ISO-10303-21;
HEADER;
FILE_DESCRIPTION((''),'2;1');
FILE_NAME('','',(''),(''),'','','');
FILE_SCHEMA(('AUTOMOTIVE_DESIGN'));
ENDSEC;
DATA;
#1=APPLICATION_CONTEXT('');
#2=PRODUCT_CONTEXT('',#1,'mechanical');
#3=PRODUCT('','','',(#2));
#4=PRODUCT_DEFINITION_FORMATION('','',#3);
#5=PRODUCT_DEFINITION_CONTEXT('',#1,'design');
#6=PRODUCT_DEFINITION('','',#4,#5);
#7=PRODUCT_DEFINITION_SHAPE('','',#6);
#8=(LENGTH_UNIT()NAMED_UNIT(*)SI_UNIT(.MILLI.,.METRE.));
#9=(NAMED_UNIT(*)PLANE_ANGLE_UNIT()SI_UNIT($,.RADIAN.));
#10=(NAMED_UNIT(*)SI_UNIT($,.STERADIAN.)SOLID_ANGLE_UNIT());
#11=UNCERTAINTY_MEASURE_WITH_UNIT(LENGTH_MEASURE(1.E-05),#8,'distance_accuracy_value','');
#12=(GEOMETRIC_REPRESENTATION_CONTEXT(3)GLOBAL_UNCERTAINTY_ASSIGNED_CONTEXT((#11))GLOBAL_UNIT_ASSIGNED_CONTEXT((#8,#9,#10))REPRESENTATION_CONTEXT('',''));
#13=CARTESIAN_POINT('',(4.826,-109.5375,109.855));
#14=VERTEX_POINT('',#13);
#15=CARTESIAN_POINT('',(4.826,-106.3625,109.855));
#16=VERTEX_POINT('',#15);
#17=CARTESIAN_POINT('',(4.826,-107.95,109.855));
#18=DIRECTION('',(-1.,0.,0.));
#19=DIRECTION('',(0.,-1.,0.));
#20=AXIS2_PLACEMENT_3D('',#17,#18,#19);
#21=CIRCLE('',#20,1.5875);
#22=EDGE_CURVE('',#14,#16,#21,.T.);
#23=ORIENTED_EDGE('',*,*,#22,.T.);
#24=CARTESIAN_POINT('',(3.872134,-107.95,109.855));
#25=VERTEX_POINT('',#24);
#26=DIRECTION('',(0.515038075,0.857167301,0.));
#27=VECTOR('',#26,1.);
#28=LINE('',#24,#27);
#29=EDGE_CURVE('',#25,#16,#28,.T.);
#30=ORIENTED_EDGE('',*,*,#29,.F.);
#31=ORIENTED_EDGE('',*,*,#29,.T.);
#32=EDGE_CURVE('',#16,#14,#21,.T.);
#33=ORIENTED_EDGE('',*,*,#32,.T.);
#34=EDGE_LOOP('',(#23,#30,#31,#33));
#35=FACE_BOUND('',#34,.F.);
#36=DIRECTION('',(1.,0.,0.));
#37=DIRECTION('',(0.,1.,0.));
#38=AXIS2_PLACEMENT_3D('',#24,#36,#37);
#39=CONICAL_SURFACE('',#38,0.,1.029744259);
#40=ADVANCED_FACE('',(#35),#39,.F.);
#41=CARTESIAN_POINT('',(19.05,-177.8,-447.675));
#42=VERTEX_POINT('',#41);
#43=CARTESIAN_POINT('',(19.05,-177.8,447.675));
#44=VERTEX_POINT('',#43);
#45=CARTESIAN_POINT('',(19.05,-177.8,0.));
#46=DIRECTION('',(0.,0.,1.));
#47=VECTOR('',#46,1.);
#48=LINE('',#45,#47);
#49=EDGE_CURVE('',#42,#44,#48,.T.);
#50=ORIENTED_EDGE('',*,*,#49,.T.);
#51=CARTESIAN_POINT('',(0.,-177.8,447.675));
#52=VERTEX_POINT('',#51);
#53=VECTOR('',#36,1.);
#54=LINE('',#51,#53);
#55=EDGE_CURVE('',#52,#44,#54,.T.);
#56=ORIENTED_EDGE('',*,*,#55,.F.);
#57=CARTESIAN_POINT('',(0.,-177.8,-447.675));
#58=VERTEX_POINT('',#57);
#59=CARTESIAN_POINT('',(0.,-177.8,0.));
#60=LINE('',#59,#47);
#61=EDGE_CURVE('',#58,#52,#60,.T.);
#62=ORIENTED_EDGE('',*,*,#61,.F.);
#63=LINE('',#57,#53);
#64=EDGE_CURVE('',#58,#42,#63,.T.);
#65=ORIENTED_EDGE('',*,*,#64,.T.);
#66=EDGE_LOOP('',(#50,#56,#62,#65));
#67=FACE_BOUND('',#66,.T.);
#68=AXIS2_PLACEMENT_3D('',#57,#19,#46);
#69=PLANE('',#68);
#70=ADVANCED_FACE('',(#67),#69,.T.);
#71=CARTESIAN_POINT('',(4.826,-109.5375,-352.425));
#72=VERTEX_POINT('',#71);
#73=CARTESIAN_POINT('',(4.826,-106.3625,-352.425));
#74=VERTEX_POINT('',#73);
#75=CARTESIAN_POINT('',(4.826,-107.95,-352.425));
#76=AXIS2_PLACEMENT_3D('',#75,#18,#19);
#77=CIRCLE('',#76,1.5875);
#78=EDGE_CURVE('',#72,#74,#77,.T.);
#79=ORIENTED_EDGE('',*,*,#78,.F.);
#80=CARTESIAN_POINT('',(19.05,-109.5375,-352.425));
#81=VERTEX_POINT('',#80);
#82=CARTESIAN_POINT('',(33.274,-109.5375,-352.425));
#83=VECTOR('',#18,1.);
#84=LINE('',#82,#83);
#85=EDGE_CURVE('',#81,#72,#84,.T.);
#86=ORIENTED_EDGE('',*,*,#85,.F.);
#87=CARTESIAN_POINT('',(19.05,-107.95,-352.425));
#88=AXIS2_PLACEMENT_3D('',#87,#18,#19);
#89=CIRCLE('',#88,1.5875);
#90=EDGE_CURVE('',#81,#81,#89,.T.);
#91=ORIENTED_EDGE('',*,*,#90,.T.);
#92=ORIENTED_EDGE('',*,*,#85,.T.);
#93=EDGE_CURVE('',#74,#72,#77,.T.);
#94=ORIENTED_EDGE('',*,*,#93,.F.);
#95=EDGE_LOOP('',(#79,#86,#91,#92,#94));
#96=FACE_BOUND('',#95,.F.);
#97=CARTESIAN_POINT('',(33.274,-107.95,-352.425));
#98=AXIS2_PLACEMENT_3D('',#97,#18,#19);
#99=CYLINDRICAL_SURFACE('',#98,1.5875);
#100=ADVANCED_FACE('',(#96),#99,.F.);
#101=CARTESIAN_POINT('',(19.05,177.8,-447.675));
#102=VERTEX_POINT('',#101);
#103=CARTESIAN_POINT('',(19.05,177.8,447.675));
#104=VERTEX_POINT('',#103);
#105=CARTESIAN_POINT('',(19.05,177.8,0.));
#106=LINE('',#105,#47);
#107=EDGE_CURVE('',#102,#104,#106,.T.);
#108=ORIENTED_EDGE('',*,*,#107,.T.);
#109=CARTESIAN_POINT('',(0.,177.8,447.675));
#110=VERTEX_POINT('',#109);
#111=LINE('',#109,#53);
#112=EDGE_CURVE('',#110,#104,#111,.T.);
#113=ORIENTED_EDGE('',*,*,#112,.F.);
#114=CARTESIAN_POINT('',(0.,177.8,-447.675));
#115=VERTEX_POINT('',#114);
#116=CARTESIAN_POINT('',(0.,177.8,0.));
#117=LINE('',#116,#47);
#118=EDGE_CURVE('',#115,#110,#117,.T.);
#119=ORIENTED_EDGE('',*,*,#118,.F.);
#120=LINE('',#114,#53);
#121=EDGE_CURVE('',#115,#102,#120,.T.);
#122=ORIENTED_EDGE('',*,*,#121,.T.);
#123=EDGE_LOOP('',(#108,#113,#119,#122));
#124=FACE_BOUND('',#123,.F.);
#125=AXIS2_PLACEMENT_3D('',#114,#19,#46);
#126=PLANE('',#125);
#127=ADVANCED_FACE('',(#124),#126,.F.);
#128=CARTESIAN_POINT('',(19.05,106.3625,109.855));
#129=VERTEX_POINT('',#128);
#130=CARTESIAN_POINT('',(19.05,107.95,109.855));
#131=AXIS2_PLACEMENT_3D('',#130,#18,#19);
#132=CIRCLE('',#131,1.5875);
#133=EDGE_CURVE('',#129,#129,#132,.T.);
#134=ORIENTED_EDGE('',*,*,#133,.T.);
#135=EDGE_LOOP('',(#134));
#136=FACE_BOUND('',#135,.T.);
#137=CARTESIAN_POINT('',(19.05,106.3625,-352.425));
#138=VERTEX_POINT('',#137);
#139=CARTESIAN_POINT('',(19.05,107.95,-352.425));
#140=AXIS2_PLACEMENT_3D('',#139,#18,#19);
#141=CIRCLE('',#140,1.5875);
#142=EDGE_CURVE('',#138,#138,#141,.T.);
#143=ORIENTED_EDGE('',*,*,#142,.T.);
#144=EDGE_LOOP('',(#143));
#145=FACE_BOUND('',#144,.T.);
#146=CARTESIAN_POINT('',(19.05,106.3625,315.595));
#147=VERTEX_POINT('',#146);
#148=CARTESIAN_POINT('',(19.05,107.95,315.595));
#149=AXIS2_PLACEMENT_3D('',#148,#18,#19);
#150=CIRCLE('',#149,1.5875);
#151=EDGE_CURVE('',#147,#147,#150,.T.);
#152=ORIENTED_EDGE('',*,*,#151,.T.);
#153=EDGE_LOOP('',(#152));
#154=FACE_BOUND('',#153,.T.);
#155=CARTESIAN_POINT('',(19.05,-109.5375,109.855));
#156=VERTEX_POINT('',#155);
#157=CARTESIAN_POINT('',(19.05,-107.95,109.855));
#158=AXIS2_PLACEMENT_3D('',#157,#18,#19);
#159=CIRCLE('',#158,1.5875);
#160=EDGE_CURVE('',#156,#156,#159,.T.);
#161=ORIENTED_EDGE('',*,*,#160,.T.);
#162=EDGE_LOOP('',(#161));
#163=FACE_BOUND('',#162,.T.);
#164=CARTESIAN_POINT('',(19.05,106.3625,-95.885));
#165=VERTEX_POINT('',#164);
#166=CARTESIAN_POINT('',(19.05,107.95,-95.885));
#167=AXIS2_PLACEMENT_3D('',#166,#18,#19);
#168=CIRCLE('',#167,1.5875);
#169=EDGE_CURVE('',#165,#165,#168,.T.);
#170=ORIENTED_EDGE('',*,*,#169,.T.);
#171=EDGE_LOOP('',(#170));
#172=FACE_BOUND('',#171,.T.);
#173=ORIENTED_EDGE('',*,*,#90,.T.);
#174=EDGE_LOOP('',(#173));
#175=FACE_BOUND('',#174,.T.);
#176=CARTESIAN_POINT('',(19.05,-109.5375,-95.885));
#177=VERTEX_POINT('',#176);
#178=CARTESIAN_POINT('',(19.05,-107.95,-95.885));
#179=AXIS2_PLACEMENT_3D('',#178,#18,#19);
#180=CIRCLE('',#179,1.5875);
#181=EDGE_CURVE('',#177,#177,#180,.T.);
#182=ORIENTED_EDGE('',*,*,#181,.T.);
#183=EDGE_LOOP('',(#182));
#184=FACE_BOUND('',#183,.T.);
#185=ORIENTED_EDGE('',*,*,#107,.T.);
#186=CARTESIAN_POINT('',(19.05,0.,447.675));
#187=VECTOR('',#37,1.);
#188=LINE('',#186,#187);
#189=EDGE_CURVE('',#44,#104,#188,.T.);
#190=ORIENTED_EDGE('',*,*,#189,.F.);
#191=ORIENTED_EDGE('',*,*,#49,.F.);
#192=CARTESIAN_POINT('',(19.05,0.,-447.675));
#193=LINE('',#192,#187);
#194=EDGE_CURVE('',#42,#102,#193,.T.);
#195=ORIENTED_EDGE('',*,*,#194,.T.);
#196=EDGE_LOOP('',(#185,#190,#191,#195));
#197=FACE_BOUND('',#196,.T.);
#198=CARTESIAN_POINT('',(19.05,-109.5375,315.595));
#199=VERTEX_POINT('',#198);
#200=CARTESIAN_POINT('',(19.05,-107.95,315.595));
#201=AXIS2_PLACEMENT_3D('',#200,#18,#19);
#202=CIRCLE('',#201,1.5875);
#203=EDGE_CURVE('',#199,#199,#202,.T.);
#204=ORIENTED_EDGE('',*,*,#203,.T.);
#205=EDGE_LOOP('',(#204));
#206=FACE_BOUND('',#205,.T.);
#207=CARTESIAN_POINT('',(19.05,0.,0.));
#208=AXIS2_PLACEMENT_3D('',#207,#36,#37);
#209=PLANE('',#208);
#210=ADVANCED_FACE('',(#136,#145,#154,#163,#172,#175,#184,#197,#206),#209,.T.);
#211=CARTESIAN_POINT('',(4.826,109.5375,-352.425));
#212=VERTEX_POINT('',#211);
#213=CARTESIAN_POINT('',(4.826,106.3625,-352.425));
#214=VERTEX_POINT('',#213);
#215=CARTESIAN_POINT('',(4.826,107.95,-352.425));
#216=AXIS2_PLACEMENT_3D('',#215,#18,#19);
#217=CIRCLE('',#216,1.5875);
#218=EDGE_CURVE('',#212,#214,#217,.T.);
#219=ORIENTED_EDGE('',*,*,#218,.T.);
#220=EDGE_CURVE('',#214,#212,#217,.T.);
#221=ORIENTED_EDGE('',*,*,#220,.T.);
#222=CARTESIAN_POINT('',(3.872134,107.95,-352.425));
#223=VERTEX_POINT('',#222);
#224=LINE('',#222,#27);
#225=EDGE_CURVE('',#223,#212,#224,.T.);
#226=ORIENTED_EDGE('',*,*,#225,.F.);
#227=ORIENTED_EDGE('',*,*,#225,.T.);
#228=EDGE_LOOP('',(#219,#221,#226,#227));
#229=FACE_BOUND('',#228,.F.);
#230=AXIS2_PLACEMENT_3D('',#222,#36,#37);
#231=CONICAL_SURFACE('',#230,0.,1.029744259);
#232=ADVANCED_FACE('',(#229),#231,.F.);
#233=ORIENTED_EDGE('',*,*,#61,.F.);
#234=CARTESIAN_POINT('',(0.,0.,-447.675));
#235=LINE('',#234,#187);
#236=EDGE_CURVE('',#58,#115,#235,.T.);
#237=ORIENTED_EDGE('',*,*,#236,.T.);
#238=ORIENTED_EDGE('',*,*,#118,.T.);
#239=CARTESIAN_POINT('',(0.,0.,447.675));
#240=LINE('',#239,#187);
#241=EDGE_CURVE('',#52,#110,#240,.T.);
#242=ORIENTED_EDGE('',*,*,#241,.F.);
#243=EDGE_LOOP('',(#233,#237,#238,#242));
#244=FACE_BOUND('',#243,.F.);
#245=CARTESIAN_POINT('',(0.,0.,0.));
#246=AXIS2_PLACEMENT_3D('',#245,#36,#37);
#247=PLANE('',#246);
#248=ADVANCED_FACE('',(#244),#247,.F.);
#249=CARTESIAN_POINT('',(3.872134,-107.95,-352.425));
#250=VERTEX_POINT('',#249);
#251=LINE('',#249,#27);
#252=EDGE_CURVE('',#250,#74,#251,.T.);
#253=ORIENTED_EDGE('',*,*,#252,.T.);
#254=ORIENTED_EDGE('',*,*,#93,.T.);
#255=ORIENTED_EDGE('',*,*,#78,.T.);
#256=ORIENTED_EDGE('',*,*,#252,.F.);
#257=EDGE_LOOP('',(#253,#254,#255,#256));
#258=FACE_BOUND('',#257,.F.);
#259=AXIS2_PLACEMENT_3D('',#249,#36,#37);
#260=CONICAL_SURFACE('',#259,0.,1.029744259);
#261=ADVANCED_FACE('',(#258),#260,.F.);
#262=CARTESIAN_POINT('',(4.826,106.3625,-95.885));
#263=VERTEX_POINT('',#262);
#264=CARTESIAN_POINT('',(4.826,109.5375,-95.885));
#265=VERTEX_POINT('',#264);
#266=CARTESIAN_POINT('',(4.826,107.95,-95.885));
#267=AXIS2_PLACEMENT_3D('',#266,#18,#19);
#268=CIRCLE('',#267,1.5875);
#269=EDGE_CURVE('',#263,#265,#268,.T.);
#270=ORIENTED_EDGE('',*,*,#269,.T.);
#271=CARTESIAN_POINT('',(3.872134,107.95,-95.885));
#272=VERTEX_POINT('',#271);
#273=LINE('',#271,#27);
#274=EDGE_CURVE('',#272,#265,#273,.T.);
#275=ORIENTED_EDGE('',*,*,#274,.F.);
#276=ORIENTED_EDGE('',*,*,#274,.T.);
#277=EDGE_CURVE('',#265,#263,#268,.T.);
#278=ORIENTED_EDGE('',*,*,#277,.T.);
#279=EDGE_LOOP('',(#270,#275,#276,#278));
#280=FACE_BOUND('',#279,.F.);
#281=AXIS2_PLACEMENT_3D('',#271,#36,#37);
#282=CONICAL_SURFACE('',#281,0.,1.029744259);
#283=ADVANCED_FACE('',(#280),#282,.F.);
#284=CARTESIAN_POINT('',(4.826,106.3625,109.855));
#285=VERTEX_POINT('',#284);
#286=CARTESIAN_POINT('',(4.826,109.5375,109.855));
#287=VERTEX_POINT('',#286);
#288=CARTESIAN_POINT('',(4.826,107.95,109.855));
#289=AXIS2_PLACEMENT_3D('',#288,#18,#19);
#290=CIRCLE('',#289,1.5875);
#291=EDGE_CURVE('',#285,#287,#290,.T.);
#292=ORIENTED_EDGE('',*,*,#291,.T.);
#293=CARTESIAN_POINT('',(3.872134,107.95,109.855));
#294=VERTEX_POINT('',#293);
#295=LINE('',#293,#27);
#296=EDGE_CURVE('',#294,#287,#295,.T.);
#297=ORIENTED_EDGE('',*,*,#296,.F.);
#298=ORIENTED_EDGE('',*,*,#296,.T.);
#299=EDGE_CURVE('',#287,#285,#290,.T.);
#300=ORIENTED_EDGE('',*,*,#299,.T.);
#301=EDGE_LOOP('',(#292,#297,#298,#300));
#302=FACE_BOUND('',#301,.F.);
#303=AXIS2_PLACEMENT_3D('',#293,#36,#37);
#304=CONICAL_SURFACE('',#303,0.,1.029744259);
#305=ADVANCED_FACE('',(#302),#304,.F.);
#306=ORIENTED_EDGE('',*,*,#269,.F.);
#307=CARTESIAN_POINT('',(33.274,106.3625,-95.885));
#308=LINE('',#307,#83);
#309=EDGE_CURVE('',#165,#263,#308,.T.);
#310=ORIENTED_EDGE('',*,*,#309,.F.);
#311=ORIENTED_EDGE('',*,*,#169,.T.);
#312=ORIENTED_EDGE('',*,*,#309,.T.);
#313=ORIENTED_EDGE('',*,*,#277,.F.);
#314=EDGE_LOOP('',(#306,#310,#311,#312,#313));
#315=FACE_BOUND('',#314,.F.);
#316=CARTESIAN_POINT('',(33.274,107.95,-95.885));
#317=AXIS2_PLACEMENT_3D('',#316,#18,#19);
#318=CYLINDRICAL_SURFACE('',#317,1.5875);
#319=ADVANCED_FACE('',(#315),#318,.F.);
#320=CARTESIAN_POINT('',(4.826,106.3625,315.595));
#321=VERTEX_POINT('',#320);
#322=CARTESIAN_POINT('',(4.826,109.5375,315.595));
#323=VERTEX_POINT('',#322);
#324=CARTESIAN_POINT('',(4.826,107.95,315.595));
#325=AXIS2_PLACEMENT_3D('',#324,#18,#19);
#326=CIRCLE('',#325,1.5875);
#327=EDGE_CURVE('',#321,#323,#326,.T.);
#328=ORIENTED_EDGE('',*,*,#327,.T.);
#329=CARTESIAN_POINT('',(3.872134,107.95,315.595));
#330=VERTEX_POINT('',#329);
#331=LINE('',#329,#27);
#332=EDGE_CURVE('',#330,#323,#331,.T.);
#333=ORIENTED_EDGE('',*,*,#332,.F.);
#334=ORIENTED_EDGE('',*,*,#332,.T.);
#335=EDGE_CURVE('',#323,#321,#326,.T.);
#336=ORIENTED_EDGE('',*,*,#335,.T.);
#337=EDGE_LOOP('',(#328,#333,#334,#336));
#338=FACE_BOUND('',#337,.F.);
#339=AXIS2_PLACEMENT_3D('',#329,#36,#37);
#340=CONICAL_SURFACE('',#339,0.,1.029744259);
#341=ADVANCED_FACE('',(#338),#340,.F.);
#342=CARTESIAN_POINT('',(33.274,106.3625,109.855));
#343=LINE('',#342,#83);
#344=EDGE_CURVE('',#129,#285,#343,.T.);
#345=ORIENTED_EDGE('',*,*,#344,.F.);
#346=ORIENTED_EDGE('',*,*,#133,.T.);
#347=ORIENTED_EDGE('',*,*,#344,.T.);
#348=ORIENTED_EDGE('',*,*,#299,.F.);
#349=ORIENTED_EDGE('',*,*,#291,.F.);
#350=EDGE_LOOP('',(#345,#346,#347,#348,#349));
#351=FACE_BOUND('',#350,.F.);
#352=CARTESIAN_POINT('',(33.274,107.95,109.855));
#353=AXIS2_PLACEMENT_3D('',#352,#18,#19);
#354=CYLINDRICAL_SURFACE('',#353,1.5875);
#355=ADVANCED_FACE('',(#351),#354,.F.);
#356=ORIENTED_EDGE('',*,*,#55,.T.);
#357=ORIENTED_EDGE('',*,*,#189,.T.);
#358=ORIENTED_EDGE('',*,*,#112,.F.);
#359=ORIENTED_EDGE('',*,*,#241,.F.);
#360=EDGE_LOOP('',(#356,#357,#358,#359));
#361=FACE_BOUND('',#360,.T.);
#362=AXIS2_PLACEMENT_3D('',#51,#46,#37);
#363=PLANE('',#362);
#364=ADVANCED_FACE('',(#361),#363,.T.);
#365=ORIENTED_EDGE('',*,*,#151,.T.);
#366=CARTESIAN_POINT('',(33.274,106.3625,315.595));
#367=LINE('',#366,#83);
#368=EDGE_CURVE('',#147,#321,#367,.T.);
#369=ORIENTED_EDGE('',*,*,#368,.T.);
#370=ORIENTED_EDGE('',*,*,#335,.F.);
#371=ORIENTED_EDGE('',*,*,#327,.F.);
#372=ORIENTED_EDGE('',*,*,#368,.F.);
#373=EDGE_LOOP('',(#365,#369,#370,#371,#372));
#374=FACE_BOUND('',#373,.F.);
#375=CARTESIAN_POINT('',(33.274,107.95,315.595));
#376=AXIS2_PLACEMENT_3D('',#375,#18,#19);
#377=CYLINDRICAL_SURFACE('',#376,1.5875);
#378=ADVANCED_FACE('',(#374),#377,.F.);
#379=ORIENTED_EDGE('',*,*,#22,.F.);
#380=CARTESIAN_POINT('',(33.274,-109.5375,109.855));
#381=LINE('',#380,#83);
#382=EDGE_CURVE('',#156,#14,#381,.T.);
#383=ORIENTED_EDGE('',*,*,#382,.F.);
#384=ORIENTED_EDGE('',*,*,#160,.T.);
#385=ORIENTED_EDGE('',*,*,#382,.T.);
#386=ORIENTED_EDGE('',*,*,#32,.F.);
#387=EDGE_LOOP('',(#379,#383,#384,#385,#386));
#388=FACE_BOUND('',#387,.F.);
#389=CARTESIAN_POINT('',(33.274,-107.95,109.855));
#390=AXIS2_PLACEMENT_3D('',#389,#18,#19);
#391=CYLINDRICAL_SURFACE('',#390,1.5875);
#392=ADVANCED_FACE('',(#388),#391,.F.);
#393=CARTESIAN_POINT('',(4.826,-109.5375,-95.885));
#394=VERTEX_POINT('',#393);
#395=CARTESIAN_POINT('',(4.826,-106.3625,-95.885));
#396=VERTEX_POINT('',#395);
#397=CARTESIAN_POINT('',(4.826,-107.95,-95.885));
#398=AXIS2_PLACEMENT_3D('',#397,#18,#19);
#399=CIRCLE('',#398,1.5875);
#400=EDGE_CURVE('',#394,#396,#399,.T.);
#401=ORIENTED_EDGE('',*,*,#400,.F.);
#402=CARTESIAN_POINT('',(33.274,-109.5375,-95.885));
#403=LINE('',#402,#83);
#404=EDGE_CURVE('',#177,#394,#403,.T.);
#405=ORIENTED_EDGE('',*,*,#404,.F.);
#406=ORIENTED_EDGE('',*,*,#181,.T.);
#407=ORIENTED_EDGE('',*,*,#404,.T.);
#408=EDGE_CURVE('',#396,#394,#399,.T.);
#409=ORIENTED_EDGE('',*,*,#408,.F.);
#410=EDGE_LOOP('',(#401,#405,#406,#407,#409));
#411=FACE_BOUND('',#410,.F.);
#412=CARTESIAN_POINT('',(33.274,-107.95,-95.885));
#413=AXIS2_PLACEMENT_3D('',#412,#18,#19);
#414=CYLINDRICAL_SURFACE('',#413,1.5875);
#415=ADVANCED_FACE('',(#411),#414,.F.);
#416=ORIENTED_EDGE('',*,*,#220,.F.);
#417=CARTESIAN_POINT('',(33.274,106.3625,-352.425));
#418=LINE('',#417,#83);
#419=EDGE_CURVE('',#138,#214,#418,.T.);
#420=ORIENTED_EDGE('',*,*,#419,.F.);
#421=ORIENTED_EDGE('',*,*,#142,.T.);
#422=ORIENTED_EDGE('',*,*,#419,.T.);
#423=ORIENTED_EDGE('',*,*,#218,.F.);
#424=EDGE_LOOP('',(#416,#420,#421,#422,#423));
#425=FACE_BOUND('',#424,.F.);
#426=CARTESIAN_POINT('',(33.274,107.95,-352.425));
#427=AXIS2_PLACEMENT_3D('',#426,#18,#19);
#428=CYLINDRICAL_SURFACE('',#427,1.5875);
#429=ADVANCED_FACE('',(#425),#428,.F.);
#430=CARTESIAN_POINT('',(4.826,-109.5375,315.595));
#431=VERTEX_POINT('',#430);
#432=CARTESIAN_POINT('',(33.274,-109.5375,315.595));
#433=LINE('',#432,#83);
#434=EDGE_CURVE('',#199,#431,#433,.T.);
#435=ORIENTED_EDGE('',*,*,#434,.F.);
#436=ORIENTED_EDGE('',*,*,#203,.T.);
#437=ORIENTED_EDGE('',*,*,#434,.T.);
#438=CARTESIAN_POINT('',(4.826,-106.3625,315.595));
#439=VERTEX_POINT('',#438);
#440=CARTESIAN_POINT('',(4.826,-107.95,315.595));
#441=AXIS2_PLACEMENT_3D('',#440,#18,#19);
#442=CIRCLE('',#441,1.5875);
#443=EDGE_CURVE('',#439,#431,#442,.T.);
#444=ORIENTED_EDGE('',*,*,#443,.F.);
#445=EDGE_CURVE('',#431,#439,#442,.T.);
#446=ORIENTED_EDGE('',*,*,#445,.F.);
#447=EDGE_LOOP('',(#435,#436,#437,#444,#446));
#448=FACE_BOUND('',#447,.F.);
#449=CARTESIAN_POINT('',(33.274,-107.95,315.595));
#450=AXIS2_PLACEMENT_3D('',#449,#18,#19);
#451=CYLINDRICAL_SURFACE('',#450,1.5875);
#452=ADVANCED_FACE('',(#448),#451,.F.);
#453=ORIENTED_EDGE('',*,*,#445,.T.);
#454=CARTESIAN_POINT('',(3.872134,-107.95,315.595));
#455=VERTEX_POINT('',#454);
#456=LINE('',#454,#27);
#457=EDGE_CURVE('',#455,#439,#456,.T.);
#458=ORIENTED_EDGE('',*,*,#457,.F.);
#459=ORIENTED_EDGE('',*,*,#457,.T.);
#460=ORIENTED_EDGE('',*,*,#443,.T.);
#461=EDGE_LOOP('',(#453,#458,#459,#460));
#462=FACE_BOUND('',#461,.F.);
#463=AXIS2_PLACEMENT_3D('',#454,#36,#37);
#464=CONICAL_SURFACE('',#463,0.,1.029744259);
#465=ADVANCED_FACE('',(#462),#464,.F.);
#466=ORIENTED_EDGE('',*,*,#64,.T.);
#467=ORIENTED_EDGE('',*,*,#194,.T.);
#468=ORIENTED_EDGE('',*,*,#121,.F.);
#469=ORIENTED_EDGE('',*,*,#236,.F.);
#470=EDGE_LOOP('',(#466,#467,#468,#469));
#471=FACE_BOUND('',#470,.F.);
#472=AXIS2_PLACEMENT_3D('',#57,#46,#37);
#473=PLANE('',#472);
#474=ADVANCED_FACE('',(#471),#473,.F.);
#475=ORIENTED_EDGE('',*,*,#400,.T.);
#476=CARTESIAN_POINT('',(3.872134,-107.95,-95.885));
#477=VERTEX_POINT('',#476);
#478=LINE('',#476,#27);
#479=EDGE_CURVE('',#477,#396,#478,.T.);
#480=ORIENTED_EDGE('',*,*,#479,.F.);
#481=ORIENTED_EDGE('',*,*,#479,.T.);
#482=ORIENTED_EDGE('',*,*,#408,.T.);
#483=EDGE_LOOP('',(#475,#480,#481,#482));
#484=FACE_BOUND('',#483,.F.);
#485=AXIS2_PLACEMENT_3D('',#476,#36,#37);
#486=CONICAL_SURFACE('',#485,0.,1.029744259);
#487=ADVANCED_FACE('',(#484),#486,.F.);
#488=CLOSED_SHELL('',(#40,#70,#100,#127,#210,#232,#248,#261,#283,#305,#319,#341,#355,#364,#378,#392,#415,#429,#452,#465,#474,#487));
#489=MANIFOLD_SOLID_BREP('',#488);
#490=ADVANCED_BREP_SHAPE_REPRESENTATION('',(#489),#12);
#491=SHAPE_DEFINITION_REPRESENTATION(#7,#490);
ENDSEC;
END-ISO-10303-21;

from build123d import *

# Parameters (mm, degrees)
F0_W     = 355.6
F0_H     = 895.35
F1_DEPTH = 19.05
F3_D     = 3.175
F3_DEPTH = 14.224
F3_TIP   = 0.9538662327


with BuildPart() as f1:
    # F0 (on Right) → F1 (new body)
    with BuildSketch(Plane.YZ):
        Rectangle(F0_W, F0_H)
    extrude(amount=F1_DEPTH)

    # F3
    with Locations(Plane.YZ.offset(19.05)):
        with Locations((-107.95, 315.595), (107.95, 315.595), (107.95, 109.855), (-107.95, 109.855), (-107.95, -95.885), (107.95, -95.885), (107.95, -352.425), (-107.95, -352.425)):
            Hole(F3_D / 2, depth=F3_DEPTH)
            with Locations((0, 0, -(F3_DEPTH + F3_TIP / 2))):  # 118° drill point
                Cone(0, F3_D / 2, F3_TIP, mode=Mode.SUBTRACT)


solid = f1.part
